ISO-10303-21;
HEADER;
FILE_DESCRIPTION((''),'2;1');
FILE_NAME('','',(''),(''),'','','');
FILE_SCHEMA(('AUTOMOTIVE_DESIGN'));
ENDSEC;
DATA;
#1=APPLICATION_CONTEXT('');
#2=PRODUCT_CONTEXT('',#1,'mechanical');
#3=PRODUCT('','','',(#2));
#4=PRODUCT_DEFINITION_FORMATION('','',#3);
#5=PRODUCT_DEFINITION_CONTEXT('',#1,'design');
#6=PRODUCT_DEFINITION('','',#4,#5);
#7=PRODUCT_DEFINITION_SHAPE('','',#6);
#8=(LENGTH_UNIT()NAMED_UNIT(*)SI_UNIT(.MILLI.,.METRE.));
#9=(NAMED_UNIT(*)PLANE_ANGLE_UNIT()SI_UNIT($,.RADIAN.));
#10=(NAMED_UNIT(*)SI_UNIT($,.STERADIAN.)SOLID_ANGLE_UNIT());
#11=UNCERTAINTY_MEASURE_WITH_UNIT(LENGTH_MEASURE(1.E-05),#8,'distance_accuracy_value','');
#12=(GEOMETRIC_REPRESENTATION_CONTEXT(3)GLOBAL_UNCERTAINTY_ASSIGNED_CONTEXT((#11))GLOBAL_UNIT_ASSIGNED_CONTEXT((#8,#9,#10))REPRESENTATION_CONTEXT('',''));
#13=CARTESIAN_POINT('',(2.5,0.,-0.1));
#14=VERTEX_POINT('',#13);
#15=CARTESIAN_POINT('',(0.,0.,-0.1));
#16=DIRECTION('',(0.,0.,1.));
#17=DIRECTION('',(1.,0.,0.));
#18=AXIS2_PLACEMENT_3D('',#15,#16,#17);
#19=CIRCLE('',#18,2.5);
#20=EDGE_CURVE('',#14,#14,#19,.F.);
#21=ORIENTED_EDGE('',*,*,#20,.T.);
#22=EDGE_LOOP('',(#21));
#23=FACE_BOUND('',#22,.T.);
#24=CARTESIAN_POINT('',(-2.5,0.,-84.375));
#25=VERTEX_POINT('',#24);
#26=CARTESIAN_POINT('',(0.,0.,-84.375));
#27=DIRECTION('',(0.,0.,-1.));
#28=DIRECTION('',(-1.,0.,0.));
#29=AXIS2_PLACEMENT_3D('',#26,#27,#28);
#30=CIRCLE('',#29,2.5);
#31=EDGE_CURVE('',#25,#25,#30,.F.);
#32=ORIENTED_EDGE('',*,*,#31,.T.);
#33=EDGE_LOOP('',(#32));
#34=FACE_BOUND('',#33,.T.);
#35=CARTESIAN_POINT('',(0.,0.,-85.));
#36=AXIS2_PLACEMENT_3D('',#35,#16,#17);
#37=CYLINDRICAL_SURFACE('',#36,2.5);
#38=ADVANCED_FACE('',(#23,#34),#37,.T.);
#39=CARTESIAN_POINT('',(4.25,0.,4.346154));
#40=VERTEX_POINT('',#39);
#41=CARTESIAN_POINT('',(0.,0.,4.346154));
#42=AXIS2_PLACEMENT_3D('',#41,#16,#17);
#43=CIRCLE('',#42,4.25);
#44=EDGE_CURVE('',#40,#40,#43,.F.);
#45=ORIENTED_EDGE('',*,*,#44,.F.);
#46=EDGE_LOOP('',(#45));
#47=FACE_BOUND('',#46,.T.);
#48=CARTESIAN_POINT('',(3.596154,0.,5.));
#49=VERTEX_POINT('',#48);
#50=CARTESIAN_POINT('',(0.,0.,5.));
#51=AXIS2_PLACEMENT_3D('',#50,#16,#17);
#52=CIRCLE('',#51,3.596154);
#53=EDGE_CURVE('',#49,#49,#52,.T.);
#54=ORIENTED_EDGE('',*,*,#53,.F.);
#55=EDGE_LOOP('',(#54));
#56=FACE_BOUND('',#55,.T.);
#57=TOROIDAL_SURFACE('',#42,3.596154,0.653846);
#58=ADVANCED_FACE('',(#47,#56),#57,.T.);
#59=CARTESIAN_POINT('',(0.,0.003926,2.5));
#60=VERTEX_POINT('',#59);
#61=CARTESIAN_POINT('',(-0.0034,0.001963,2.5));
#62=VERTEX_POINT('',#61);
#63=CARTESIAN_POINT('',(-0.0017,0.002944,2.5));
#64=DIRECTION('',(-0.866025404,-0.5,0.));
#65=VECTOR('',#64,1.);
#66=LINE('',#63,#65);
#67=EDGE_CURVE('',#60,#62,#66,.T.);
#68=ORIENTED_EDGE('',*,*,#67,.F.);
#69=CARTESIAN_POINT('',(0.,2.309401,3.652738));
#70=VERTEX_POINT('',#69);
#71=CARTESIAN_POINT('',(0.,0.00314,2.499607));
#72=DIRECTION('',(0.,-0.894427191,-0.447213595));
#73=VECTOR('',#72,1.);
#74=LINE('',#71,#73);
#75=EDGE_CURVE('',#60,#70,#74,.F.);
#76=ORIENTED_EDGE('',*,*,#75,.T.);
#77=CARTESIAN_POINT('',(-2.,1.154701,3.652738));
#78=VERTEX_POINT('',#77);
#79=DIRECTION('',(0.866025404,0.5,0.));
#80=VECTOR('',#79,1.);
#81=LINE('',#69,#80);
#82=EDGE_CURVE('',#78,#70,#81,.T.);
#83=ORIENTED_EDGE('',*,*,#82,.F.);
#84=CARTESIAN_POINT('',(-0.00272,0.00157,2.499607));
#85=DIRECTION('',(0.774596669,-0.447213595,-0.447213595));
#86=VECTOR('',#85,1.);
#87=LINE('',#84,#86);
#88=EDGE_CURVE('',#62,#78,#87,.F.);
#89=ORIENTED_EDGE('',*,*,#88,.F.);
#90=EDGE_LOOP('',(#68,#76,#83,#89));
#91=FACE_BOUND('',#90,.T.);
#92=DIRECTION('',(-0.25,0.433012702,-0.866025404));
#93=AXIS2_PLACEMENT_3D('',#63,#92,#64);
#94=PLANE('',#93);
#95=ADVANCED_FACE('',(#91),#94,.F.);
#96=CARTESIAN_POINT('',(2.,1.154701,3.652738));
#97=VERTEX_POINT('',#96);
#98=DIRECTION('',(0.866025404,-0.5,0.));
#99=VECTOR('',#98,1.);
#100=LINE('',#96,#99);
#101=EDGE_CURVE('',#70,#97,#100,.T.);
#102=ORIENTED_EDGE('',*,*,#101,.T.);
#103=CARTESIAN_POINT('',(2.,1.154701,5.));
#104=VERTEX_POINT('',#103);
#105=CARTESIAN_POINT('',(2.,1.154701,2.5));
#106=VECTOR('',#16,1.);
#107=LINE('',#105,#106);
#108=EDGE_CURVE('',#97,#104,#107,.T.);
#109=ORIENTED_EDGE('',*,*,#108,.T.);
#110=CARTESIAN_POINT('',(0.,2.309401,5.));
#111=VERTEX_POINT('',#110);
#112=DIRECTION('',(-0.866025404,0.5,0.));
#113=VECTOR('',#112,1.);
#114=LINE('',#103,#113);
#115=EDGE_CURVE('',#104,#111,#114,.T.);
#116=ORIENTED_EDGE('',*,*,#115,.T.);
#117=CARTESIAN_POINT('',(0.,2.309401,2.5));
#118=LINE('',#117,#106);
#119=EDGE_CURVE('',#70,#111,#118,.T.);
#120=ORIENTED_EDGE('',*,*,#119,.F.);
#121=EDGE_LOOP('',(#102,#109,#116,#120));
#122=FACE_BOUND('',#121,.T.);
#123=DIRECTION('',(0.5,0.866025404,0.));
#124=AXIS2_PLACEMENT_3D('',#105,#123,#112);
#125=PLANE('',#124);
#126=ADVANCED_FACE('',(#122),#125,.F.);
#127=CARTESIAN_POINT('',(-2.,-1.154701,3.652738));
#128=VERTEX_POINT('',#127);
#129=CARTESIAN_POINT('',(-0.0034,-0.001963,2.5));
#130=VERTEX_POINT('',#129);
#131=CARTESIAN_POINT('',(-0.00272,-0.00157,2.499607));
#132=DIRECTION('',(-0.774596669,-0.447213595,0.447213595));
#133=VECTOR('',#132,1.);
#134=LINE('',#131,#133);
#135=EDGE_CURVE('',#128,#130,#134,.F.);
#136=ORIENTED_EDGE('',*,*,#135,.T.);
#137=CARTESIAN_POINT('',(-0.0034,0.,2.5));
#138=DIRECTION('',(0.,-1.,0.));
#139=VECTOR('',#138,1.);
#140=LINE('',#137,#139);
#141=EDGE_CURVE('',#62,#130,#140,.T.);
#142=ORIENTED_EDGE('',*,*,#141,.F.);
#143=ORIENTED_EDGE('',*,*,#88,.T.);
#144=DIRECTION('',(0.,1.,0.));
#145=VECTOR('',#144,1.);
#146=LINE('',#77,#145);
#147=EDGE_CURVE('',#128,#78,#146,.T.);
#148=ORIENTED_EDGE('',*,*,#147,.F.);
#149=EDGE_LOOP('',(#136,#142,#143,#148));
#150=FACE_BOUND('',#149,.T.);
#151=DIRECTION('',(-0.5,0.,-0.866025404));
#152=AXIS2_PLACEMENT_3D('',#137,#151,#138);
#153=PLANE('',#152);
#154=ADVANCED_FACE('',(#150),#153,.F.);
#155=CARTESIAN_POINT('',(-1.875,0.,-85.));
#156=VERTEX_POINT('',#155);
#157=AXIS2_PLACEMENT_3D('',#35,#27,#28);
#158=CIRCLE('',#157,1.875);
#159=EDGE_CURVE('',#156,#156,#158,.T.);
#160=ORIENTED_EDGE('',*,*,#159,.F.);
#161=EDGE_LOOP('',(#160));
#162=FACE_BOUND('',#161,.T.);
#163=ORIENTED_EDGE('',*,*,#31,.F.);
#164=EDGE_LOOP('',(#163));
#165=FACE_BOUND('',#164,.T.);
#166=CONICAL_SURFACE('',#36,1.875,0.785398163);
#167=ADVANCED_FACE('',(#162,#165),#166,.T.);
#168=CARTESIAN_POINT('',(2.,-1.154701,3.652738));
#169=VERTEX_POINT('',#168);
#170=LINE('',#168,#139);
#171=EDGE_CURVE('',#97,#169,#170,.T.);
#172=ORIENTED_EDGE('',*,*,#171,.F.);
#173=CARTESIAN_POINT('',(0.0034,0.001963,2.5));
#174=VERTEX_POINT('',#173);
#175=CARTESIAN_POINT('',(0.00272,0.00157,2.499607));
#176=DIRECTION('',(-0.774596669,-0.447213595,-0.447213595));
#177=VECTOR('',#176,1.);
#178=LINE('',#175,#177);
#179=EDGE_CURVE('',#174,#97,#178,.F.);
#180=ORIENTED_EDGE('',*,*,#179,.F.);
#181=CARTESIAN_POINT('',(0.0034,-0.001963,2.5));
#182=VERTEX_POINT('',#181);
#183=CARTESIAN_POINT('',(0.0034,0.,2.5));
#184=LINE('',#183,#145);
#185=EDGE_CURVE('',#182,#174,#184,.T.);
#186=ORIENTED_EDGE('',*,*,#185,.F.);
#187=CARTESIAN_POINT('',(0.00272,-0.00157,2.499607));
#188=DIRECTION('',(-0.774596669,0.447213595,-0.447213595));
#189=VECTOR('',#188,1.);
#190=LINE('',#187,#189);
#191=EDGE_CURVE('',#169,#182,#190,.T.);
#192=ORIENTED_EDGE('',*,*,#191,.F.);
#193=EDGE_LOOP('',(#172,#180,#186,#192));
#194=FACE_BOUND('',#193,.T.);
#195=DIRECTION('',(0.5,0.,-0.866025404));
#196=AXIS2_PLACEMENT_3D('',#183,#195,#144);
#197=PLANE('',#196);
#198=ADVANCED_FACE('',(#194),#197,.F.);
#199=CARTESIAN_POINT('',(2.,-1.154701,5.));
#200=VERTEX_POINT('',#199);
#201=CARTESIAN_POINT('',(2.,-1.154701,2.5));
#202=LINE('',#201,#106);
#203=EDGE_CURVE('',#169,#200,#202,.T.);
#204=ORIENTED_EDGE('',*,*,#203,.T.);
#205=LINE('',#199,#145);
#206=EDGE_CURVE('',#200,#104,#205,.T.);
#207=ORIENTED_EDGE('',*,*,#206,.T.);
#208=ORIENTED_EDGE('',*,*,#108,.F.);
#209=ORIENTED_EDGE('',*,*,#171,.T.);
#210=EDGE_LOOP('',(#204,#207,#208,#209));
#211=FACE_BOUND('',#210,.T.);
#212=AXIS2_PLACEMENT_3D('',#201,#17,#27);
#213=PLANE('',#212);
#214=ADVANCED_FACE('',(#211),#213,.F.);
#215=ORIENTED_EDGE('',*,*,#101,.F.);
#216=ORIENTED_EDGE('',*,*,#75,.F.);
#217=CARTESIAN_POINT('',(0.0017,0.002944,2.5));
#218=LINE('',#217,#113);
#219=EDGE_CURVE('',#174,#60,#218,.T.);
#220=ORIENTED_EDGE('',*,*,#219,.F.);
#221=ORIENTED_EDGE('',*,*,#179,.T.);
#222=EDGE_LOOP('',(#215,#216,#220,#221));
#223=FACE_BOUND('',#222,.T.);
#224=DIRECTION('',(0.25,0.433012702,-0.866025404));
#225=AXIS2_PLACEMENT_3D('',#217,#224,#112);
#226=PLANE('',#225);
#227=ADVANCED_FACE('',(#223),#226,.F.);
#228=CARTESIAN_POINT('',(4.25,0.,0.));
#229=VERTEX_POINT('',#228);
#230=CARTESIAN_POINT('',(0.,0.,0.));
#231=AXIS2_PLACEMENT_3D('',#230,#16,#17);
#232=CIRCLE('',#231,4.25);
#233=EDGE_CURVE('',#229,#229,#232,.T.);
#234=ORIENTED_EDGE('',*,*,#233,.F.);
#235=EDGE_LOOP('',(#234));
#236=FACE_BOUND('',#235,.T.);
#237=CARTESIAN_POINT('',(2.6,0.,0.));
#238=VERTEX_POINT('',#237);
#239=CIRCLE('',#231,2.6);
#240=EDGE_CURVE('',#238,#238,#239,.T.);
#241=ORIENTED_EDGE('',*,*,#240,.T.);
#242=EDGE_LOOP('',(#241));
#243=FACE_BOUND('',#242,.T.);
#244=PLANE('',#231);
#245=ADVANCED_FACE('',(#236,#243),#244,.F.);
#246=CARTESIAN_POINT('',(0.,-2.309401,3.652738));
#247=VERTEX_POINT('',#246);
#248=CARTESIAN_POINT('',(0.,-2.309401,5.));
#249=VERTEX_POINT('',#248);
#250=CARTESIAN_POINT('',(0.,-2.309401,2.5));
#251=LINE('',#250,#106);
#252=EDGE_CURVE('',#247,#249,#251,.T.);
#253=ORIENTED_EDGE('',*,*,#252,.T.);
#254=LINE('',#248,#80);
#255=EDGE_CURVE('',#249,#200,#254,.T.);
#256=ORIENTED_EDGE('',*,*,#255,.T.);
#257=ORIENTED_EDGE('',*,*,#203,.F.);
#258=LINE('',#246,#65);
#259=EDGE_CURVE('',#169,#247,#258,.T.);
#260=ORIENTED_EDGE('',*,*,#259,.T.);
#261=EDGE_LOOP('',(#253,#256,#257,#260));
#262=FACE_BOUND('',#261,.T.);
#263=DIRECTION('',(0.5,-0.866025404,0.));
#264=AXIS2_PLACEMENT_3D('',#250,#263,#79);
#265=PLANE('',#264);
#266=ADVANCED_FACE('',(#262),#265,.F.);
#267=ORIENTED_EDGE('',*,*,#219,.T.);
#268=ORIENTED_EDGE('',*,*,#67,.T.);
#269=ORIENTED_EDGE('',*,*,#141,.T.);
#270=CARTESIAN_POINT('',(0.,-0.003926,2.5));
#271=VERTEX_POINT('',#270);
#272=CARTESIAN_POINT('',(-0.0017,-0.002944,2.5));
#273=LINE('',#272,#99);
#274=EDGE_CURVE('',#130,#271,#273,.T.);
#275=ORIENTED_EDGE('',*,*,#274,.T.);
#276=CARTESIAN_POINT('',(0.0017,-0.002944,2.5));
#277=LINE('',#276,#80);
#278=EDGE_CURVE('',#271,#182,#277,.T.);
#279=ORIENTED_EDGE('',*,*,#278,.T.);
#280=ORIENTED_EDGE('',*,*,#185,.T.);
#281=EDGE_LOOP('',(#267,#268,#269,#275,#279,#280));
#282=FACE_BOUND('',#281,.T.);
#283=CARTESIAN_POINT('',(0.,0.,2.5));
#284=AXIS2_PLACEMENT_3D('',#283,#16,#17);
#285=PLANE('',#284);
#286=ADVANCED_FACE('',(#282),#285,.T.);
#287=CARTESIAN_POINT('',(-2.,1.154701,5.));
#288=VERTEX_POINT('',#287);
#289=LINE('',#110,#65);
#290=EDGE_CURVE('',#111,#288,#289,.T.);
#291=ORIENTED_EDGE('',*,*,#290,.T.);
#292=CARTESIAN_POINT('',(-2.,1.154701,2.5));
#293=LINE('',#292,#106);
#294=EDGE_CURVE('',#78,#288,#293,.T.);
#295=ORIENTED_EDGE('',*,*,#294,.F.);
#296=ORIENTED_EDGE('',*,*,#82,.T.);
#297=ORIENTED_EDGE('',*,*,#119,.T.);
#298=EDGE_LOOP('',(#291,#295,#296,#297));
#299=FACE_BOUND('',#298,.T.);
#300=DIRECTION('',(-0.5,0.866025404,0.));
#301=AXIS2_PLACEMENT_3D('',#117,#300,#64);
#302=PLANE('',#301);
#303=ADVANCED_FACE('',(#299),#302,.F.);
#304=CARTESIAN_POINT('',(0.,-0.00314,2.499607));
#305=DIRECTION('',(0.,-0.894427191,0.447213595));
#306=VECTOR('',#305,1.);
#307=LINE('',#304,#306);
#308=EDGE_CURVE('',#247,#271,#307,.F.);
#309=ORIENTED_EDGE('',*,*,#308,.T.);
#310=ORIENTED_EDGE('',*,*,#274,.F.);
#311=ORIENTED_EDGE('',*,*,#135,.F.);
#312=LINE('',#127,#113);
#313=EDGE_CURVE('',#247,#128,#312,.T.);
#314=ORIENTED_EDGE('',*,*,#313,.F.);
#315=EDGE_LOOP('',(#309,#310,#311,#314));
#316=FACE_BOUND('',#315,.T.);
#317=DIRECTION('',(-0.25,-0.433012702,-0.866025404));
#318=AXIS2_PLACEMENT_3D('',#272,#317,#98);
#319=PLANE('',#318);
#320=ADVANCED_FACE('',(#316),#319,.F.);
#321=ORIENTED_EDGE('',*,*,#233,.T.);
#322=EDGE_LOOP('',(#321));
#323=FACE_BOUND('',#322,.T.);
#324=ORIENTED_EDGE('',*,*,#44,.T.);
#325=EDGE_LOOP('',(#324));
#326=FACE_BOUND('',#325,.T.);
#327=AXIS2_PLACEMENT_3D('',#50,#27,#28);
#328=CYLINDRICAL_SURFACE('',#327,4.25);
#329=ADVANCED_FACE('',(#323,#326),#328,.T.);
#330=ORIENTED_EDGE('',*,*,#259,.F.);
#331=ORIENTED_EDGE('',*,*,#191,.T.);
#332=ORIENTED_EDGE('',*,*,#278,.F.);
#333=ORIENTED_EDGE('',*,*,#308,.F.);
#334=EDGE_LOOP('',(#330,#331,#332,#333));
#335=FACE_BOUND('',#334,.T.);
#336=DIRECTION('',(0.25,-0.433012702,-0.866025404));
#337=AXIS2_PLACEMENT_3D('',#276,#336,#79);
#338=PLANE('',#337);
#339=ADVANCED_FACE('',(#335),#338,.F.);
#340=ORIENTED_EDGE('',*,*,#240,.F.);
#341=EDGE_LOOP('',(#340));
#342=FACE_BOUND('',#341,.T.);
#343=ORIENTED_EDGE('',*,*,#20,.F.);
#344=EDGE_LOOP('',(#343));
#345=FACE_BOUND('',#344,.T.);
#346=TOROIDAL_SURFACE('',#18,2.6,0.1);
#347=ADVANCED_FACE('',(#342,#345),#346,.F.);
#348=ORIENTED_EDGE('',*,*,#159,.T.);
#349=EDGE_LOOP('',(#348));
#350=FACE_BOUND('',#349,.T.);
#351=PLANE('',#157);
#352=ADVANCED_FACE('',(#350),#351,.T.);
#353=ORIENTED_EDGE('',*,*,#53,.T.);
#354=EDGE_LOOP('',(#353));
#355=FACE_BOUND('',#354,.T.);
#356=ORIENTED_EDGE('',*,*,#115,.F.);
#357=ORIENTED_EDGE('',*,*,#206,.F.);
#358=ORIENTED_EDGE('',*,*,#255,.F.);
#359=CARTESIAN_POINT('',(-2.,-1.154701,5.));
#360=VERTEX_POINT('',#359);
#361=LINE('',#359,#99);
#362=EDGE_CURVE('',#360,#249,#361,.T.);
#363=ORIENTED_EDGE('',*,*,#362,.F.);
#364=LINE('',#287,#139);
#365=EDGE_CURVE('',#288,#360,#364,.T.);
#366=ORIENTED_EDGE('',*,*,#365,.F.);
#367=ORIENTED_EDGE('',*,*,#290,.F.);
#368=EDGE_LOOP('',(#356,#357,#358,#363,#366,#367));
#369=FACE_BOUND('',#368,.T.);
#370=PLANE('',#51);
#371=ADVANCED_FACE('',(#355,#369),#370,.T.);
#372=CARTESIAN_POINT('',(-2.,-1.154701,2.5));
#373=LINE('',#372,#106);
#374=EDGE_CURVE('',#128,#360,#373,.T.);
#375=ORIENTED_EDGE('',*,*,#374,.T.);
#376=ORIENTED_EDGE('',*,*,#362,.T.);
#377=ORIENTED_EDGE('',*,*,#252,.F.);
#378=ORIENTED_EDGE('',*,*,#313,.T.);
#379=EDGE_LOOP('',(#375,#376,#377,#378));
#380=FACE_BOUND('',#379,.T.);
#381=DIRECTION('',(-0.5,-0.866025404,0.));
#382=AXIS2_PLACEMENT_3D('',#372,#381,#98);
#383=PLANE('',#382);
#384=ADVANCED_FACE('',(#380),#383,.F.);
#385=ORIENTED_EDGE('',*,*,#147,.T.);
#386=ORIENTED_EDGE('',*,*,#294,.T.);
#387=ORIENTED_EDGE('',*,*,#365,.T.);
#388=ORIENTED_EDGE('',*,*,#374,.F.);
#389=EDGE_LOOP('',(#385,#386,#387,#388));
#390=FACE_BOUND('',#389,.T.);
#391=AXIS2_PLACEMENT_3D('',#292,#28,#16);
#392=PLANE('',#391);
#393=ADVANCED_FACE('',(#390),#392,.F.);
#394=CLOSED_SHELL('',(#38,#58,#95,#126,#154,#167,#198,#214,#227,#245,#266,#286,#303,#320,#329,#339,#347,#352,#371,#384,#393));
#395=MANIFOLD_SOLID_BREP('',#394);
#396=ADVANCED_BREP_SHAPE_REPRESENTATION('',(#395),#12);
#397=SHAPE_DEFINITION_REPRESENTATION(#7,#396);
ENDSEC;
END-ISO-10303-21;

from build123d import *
from OCP.BRepFilletAPI import BRepFilletAPI_MakeChamfer

# Parameters (mm, degrees)
SKETCH_1_R          = 4.25
EXTRUDE_1_DEPTH     = 5
CUT_EXTRUDE_1_DEPTH = 2.5
SKETCH_3_R          = 2.5
EXTRUDE_2_DEPTH     = 85
CHAMFER_1_SIZE      = 0.625
FILLET_1_R          = 0.653846154
CHAMFER_2_SIZE      = 1.152737752
CHAMFER_2_SIZE2     = 1.996600355
FILLET_2_R          = 0.1


with BuildPart() as part:
    # 草图1 → 凸台-拉伸1 (new body)
    with BuildSketch(Plane.XY):
        Circle(SKETCH_1_R)
    extrude(amount=EXTRUDE_1_DEPTH)

    # 草图2 → 切除-拉伸1 (cut)
    with BuildSketch(Plane.XY.offset(5)):
        Polygon((2, 1.154700538), (0, 2.309401077), (-2, 1.154700538), (-2, -1.154700538), (0, -2.309401077), (2, -1.154700538), align=None)
    extrude(amount=-CUT_EXTRUDE_1_DEPTH, mode=Mode.SUBTRACT)

    # 草图3 → 凸台-拉伸2 (add)
    with BuildSketch(Plane(origin=(0, 0, 0), x_dir=(-1, 0, 0), z_dir=(0, 0, -1))):
        Circle(SKETCH_3_R)
    extrude(amount=EXTRUDE_2_DEPTH)

    # 倒角1
    chamfer_1_edges = [part.edges().sort_by_distance(p)[0] for p in [
        (2.5, 0, -85),
    ]]
    chamfer(chamfer_1_edges, length=CHAMFER_1_SIZE)

    # 圆角1
    fillet_1_edges = [part.edges().sort_by_distance(p)[0] for p in [
        (-4.25, 0, 5),
    ]]
    fillet(fillet_1_edges, radius=FILLET_1_R)

    # 倒角2: one chamfer whose edges measure the first distance from different faces: ONE call of the kernel's chamfer builder (chamfer() names one face for all edges)
    chamfer_2_edges_1 = [part.edges().sort_by_distance(p)[0] for p in [
        (-2, 0, 2.5),
    ]]
    chamfer_2_side_1 = [part.faces().sort_by_distance(p)[0] for p in [
        (-2, 0, 3.75),
    ]]
    chamfer_2_edges_2 = [part.edges().sort_by_distance(p)[0] for p in [
        (-1, 1.732050808, 2.5),
    ]]
    chamfer_2_side_2 = [part.faces().sort_by_distance(p)[0] for p in [
        (-1, 1.732050808, 3.75),
    ]]
    chamfer_2_edges_3 = [part.edges().sort_by_distance(p)[0] for p in [
        (1, 1.732050808, 2.5),
    ]]
    chamfer_2_side_3 = [part.faces().sort_by_distance(p)[0] for p in [
        (1, 1.732050808, 3.75),
    ]]
    chamfer_2_edges_4 = [part.edges().sort_by_distance(p)[0] for p in [
        (2, 0, 2.5),
    ]]
    chamfer_2_side_4 = [part.faces().sort_by_distance(p)[0] for p in [
        (2, 0, 3.75),
    ]]
    chamfer_2_edges_5 = [part.edges().sort_by_distance(p)[0] for p in [
        (-1, -1.732050808, 2.5),
    ]]
    chamfer_2_side_5 = [part.faces().sort_by_distance(p)[0] for p in [
        (-1, -1.732050808, 3.75),
    ]]
    chamfer_2_edges_6 = [part.edges().sort_by_distance(p)[0] for p in [
        (1, -1.732050808, 2.5),
    ]]
    chamfer_2_side_6 = [part.faces().sort_by_distance(p)[0] for p in [
        (1, -1.732050808, 3.75),
    ]]
    chamfer_2 = BRepFilletAPI_MakeChamfer(part.part.solid().wrapped)
    for e in chamfer_2_edges_1:
        chamfer_2.Add(CHAMFER_2_SIZE, CHAMFER_2_SIZE2, e.wrapped, chamfer_2_side_1[0].wrapped)  # the first distance lies on this face
    for e in chamfer_2_edges_2:
        chamfer_2.Add(CHAMFER_2_SIZE, CHAMFER_2_SIZE2, e.wrapped, chamfer_2_side_2[0].wrapped)  # the first distance lies on this face
    for e in chamfer_2_edges_3:
        chamfer_2.Add(CHAMFER_2_SIZE, CHAMFER_2_SIZE2, e.wrapped, chamfer_2_side_3[0].wrapped)  # the first distance lies on this face
    for e in chamfer_2_edges_4:
        chamfer_2.Add(CHAMFER_2_SIZE, CHAMFER_2_SIZE2, e.wrapped, chamfer_2_side_4[0].wrapped)  # the first distance lies on this face
    for e in chamfer_2_edges_5:
        chamfer_2.Add(CHAMFER_2_SIZE, CHAMFER_2_SIZE2, e.wrapped, chamfer_2_side_5[0].wrapped)  # the first distance lies on this face
    for e in chamfer_2_edges_6:
        chamfer_2.Add(CHAMFER_2_SIZE, CHAMFER_2_SIZE2, e.wrapped, chamfer_2_side_6[0].wrapped)  # the first distance lies on this face
    add(Compound.cast(chamfer_2.Shape()), mode=Mode.REPLACE)

    # 圆角2
    fillet_2_edges = [part.edges().sort_by_distance(p)[0] for p in [
        (2.5, 0, 0),
    ]]
    fillet(fillet_2_edges, radius=FILLET_2_R)


solid = part.part
